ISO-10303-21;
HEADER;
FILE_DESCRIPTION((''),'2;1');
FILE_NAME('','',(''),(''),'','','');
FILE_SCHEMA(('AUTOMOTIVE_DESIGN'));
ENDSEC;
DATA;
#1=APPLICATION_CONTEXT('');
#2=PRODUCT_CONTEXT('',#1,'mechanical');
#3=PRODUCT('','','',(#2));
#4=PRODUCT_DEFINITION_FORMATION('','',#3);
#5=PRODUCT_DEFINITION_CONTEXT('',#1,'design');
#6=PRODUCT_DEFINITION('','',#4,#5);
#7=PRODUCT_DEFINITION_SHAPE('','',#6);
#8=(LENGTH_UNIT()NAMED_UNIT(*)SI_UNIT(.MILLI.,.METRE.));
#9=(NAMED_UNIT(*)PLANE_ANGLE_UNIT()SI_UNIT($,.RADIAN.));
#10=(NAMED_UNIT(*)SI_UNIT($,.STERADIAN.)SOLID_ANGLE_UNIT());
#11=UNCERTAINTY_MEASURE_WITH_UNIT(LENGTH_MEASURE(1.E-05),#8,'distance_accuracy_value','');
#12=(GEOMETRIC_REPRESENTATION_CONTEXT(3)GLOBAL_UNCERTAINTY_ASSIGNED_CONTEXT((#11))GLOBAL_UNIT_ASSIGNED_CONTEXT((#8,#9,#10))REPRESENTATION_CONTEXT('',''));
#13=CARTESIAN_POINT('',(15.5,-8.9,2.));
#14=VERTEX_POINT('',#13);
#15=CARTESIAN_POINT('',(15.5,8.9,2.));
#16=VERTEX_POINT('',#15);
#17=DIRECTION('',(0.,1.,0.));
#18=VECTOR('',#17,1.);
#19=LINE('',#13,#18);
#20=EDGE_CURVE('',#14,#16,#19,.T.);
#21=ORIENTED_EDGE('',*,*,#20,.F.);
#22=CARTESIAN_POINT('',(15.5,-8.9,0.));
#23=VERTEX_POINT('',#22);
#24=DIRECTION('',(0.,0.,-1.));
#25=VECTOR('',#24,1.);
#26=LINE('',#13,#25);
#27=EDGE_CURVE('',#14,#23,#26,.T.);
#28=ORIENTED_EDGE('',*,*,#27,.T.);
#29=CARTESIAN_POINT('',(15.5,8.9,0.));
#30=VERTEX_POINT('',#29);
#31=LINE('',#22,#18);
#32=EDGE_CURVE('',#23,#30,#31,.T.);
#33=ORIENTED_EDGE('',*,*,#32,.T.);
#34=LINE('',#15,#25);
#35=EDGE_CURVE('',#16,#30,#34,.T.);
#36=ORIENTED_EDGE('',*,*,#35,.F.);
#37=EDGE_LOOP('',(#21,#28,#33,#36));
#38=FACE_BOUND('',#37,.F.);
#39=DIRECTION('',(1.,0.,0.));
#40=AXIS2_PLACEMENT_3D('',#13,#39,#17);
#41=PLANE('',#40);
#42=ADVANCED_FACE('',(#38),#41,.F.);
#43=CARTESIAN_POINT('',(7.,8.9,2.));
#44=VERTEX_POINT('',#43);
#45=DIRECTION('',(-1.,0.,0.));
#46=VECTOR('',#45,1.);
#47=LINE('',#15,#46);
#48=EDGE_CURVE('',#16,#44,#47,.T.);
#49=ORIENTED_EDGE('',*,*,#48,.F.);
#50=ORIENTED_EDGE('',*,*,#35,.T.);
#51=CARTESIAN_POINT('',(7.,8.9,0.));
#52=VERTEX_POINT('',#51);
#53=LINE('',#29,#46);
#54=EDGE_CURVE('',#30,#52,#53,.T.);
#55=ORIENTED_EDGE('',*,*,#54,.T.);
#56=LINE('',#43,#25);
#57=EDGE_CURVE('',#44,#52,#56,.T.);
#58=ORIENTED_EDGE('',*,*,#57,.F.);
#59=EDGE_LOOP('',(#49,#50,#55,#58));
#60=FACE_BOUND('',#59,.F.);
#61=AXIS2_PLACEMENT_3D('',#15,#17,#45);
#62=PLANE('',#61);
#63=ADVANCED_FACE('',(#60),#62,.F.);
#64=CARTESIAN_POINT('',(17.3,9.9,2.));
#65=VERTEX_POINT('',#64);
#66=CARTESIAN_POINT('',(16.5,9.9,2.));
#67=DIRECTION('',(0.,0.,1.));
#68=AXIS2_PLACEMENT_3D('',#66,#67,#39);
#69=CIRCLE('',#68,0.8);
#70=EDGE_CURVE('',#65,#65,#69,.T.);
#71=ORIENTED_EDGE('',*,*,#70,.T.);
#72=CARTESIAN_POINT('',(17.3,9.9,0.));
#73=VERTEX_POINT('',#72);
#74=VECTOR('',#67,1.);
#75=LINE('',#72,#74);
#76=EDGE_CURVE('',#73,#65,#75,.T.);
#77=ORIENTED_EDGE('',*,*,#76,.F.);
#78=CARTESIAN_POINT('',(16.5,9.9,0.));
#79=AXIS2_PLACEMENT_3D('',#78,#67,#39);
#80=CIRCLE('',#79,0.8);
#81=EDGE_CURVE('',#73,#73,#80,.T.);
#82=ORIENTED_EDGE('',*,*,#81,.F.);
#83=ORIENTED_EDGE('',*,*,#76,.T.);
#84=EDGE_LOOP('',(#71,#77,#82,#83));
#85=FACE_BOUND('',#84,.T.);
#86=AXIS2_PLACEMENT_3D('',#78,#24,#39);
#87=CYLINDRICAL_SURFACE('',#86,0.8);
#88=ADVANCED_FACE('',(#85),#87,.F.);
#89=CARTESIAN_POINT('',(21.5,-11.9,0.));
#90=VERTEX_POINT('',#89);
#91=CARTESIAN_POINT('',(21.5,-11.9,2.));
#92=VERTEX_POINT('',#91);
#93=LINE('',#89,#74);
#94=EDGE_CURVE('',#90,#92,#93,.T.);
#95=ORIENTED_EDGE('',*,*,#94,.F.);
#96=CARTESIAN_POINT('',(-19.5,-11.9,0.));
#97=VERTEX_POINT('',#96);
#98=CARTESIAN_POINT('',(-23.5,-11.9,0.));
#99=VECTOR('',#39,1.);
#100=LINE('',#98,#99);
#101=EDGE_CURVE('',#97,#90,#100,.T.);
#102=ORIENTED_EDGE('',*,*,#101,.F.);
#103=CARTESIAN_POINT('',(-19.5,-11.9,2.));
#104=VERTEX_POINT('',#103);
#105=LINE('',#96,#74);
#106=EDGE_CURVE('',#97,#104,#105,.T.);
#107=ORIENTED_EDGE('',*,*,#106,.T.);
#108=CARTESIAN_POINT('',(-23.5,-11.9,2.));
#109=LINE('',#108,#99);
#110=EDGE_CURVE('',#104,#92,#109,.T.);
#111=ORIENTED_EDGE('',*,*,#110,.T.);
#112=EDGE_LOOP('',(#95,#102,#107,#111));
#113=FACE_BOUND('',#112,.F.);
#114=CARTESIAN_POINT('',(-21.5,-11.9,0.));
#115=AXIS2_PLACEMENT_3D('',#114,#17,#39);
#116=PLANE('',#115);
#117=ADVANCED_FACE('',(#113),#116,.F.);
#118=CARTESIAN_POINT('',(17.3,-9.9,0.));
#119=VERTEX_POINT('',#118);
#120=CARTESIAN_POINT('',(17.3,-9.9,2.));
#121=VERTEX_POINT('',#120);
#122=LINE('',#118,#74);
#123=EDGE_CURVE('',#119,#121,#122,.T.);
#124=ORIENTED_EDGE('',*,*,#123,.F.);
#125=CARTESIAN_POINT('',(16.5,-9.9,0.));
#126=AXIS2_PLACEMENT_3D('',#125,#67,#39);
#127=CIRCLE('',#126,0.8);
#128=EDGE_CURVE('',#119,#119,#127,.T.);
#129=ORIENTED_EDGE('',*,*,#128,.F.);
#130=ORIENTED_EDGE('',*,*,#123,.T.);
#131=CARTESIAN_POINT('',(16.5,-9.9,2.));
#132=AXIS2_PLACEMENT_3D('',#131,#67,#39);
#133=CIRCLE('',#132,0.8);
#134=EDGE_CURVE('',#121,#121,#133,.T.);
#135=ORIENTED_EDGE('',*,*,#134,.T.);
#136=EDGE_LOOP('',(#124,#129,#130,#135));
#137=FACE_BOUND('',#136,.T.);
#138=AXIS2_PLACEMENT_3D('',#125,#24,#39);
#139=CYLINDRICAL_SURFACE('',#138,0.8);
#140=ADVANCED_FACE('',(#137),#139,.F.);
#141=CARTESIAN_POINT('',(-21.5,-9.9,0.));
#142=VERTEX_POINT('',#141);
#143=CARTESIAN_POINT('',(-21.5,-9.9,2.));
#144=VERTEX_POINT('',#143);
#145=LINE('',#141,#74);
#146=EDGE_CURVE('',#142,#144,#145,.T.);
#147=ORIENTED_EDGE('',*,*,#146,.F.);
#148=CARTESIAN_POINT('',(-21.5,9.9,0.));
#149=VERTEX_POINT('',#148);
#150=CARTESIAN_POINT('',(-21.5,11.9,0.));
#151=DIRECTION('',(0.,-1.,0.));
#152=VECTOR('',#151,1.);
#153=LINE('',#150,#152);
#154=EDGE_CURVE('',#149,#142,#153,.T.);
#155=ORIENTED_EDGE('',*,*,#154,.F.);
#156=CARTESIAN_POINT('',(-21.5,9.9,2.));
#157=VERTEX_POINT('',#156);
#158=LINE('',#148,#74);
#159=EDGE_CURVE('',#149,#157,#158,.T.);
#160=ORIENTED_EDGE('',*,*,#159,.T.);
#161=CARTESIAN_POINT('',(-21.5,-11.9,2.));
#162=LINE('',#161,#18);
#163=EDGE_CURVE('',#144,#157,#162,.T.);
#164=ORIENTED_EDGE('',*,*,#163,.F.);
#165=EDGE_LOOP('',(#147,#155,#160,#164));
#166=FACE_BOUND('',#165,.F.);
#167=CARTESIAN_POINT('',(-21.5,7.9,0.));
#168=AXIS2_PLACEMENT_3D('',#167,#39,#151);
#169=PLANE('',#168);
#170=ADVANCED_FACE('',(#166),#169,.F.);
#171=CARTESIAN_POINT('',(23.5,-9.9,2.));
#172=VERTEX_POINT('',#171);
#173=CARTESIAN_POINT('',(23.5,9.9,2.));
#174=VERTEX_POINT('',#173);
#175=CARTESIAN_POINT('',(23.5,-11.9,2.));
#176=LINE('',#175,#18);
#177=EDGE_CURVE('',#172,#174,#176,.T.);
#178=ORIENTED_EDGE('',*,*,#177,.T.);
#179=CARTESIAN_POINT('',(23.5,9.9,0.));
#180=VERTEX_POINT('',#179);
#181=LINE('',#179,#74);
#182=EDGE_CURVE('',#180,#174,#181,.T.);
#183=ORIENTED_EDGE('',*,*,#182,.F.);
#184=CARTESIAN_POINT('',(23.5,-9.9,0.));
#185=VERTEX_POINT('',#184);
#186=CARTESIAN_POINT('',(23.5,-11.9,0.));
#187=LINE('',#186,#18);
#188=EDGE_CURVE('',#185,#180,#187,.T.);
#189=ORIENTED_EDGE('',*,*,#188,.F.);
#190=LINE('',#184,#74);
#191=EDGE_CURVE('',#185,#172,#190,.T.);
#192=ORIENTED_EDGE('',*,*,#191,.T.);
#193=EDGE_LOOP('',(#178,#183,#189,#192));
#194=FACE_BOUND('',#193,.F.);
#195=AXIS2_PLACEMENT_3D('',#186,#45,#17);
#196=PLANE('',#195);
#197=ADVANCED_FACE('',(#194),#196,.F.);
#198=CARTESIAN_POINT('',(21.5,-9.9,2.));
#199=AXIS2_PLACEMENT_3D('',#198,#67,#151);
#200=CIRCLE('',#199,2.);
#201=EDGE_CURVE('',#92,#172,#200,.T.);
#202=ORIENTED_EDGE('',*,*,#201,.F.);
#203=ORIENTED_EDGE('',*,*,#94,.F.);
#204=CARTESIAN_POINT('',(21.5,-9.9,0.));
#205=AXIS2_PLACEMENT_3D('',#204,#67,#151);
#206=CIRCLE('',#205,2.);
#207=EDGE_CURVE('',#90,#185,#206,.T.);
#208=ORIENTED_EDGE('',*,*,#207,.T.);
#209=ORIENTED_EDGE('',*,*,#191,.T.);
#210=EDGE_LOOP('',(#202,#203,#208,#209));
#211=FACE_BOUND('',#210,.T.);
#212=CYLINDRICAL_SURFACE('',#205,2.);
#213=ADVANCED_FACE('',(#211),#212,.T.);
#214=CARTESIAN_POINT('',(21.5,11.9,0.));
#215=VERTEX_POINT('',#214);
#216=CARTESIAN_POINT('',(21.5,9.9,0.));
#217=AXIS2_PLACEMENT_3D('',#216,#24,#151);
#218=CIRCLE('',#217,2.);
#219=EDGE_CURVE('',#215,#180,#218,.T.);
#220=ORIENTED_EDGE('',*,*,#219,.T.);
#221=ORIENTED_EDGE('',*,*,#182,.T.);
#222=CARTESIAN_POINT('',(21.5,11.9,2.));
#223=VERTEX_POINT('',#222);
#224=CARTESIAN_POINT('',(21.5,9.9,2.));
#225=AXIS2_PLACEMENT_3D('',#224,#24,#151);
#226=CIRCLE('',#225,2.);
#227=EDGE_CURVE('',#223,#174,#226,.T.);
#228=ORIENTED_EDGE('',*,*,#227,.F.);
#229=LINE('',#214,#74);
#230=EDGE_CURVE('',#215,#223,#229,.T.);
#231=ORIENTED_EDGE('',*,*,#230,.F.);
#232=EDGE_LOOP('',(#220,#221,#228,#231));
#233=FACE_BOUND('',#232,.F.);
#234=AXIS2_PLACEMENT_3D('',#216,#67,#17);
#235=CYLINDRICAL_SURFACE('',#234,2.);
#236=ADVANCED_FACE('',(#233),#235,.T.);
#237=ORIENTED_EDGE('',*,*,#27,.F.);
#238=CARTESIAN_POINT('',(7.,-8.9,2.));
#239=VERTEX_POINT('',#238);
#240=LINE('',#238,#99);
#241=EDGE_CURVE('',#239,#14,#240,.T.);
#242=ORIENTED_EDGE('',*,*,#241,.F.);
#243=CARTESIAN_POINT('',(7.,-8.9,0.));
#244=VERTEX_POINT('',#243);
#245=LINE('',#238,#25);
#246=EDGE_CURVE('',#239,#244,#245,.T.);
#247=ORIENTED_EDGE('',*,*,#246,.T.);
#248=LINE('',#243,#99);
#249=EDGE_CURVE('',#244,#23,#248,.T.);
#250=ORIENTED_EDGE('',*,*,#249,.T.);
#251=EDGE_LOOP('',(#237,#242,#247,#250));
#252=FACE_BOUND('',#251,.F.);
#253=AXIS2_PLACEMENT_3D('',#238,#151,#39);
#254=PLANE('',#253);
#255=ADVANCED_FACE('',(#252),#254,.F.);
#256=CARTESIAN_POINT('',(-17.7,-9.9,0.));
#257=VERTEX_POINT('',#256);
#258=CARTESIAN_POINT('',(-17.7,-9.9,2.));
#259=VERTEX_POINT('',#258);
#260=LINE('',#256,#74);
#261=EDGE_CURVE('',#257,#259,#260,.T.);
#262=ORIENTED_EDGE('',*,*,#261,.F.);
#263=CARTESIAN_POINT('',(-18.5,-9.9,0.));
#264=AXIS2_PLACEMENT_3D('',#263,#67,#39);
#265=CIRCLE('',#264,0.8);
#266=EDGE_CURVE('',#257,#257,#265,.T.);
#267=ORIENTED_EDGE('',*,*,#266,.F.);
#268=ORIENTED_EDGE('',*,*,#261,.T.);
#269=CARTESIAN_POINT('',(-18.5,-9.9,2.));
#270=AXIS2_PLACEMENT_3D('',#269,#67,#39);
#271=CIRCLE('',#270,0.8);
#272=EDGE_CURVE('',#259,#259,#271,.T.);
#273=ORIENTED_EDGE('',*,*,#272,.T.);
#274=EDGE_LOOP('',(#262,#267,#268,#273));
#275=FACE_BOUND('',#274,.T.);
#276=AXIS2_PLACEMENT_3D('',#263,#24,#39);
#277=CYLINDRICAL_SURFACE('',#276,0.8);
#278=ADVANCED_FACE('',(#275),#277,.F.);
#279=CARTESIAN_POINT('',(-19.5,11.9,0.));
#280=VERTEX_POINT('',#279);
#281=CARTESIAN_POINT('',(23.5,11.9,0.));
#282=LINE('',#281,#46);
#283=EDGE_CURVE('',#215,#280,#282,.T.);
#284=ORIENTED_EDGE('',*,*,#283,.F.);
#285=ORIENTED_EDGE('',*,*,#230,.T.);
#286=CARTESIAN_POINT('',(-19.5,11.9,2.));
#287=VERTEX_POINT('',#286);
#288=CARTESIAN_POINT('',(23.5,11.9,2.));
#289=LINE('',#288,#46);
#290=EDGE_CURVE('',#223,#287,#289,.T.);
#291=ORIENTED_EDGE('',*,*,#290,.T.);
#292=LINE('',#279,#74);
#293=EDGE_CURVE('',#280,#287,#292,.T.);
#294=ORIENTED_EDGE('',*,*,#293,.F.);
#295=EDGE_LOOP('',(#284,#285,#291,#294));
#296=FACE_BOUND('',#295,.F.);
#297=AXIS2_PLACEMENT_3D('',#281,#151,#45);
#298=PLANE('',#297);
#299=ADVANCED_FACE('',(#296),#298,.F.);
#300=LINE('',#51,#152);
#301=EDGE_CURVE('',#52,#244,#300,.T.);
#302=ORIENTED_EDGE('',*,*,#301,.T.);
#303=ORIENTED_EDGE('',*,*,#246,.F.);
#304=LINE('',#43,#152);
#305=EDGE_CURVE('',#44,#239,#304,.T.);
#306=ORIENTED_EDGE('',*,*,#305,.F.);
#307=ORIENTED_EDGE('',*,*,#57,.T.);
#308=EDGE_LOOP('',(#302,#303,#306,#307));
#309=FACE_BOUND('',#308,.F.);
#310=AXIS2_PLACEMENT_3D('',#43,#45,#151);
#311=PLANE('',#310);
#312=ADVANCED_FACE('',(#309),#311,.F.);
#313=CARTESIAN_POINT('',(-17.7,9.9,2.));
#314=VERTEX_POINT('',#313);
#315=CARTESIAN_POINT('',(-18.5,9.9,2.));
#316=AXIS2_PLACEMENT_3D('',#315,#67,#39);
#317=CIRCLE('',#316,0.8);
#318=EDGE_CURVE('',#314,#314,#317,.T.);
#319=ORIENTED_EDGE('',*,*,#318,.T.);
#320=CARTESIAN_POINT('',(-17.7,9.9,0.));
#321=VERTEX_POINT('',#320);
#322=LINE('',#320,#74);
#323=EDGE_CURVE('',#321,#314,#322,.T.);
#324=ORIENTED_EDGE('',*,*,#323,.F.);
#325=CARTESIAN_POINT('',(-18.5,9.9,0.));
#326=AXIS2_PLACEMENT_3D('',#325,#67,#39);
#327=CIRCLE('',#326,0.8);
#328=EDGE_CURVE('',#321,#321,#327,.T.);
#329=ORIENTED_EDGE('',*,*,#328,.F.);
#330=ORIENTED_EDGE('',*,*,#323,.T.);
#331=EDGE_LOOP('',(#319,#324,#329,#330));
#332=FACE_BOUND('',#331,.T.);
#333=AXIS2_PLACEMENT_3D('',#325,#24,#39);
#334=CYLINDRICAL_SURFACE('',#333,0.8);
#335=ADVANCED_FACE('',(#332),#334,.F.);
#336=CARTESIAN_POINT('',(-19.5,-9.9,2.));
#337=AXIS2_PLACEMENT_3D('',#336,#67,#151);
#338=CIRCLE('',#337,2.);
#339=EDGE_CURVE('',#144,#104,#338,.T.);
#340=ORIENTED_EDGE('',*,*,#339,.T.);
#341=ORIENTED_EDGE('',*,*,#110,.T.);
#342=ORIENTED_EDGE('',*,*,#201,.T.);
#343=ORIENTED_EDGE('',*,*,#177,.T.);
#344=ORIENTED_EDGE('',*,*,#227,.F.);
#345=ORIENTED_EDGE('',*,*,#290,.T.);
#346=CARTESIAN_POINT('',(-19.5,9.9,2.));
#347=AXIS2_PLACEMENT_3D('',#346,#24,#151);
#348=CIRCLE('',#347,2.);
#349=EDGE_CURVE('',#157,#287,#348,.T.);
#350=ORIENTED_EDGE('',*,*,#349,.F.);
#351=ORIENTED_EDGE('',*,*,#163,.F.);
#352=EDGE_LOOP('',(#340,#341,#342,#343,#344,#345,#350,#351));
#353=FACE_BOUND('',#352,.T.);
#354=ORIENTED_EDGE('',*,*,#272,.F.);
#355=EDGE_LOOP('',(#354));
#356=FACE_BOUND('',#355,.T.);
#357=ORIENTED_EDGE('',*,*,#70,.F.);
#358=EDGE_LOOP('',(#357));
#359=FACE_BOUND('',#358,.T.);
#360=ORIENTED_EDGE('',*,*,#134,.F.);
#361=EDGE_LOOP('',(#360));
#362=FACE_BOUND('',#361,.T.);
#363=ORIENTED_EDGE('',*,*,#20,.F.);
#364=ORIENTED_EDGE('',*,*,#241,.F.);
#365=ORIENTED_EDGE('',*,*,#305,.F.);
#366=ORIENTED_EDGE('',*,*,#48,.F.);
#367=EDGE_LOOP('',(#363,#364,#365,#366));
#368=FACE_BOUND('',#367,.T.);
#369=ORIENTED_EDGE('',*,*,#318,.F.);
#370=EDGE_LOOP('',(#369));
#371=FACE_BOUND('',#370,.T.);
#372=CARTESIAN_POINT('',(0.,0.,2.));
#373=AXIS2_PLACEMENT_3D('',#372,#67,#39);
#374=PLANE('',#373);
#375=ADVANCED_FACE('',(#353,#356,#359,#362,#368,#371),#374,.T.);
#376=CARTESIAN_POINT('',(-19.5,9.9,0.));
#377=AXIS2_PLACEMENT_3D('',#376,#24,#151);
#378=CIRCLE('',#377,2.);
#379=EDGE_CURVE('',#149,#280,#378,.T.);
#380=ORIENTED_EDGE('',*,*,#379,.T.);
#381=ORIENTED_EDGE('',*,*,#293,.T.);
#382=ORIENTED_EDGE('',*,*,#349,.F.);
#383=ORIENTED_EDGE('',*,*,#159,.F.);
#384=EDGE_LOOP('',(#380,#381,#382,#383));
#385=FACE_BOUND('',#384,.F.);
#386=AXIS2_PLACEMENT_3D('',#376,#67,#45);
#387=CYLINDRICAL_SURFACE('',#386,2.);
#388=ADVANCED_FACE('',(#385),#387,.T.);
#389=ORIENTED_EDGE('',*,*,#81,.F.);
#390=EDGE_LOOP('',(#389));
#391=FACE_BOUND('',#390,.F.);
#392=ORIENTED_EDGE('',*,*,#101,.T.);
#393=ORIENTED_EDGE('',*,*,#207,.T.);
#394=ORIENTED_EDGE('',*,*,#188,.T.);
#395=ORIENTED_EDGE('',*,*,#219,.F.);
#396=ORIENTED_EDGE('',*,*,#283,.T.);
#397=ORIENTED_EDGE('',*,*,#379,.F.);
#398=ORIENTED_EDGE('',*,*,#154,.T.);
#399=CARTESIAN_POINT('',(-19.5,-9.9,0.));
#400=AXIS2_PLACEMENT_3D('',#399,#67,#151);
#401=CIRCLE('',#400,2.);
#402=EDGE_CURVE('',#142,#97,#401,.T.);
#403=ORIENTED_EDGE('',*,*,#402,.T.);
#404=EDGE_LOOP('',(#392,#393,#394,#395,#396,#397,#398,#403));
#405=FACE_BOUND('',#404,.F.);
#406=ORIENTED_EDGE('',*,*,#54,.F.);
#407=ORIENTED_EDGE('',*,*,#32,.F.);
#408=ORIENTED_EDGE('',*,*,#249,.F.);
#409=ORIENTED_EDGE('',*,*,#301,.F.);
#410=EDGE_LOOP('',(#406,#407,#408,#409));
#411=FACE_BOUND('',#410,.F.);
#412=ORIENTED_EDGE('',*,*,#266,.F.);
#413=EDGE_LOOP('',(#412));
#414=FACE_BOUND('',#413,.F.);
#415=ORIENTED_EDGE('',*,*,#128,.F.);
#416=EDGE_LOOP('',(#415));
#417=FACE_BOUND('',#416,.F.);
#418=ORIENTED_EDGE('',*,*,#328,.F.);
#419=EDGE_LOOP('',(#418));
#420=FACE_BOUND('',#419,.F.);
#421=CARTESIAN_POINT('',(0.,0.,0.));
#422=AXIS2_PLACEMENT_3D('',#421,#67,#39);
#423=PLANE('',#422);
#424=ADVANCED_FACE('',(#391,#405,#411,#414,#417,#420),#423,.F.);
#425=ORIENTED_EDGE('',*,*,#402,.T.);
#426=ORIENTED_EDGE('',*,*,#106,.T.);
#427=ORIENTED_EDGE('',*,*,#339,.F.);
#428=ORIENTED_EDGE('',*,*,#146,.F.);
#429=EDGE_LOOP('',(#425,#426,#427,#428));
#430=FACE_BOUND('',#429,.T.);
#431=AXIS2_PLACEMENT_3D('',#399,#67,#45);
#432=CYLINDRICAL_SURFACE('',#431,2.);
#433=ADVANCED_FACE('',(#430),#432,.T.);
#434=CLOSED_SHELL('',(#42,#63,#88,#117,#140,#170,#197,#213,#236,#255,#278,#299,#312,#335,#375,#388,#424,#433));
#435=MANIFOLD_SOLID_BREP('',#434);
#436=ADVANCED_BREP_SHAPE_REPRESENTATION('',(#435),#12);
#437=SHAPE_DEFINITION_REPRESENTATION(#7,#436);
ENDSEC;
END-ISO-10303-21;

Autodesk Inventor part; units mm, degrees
ref_plane "YZ Plane" through (0, 0, 0) normal (1, 0, 0) x (0, 1, 0)
ref_plane "XZ Plane" through (0, 0, 0) normal (0, 1, 0) x (-1, 0, 0)
ref_plane "XY Plane" through (0, 0, 0) normal (0, 0, 1) x (1, 0, 0)
ref_plane "作業平面1" through (0, 0, 0) normal (0, 0, 1) x (1, 0, 0)
sketch "スケッチ1" plane through (0, 0, 0) normal (0, 0, 1) x (1, 0, 0)
  circle A0 centre (16.5, -9.9) radius 0.8 projected
  circle A1 centre (-18.5, 9.9) radius 0.8 projected
  circle A2 centre (16.5, 9.9) radius 0.8 projected
  circle A3 centre (-18.5, -9.9) radius 0.8 projected
  arc A4 (-21.5, -7.9) -> (-23.5, -9.9) centre (-21.5, -9.9) ccw projected
  line L0 (-23.5, -9.9) -> (-23.5, -11.9) projected
  line L1 (-23.5, -11.9) -> (23.5, -11.9) projected
  line L2 (23.5, -11.9) -> (23.5, 11.9) projected
  line L3 (23.5, 11.9) -> (-23.5, 11.9) projected
  line L4 (-23.5, 11.9) -> (-23.5, 9.9) projected
  arc A5 (-23.5, 9.9) -> (-21.5, 7.9) centre (-21.5, 9.9) ccw projected
  line L5 (-21.5, 7.9) -> (21.5, 7.9) projected
  line L6 (21.5, 7.9) -> (21.5, -7.9) projected
  line L7 (21.5, -7.9) -> (-21.5, -7.9) projected
  line L8 (-21.5, 11.9) -> (-21.5, -11.9)
  point P0 (0, 0)
ref_plane "作業平面2" through (0, 0, 0) normal (0, 0, 1) x (1, 0, 0)
extrude "押し出し1" add sketch "スケッチ1" along normal blind 2 contours L8 L5 L6 L7 | L7 L6 L5 L8 L3 L2 L1
fillet "フィレット1" radius 2 4 edges at (23.5, 11.9, 1) (23.5, -11.9, 1) (-21.5, -11.9, 1) (-21.5, 11.9, 1)
sketch "スケッチ2" plane through (0, 0, 2) normal (0, 0, 1) x (1, 0, 0)
  line L0 (15.5, 8.9) -> (7, 8.9)
  line L1 (7, 8.9) -> (7, -8.9)
  line L2 (7, -8.9) -> (15.5, -8.9)
  line L3 (15.5, -8.9) -> (15.5, 8.9)
  circle A0 centre (16.5, 9.9) radius 0.8 projected
  circle A1 centre (16.5, -9.9) radius 0.8 projected
  point P0 (0, 0)
  dimension "d3" = 1
  dimension "d4" = 8.5
  dimension "d5" = 1
  dimension "d6" = 1
extrude "押し出し2" cut sketch "スケッチ2" against normal up to surface (2 mm away) contours L3 L2 L1 L0
properties part number "STlink_Top"
